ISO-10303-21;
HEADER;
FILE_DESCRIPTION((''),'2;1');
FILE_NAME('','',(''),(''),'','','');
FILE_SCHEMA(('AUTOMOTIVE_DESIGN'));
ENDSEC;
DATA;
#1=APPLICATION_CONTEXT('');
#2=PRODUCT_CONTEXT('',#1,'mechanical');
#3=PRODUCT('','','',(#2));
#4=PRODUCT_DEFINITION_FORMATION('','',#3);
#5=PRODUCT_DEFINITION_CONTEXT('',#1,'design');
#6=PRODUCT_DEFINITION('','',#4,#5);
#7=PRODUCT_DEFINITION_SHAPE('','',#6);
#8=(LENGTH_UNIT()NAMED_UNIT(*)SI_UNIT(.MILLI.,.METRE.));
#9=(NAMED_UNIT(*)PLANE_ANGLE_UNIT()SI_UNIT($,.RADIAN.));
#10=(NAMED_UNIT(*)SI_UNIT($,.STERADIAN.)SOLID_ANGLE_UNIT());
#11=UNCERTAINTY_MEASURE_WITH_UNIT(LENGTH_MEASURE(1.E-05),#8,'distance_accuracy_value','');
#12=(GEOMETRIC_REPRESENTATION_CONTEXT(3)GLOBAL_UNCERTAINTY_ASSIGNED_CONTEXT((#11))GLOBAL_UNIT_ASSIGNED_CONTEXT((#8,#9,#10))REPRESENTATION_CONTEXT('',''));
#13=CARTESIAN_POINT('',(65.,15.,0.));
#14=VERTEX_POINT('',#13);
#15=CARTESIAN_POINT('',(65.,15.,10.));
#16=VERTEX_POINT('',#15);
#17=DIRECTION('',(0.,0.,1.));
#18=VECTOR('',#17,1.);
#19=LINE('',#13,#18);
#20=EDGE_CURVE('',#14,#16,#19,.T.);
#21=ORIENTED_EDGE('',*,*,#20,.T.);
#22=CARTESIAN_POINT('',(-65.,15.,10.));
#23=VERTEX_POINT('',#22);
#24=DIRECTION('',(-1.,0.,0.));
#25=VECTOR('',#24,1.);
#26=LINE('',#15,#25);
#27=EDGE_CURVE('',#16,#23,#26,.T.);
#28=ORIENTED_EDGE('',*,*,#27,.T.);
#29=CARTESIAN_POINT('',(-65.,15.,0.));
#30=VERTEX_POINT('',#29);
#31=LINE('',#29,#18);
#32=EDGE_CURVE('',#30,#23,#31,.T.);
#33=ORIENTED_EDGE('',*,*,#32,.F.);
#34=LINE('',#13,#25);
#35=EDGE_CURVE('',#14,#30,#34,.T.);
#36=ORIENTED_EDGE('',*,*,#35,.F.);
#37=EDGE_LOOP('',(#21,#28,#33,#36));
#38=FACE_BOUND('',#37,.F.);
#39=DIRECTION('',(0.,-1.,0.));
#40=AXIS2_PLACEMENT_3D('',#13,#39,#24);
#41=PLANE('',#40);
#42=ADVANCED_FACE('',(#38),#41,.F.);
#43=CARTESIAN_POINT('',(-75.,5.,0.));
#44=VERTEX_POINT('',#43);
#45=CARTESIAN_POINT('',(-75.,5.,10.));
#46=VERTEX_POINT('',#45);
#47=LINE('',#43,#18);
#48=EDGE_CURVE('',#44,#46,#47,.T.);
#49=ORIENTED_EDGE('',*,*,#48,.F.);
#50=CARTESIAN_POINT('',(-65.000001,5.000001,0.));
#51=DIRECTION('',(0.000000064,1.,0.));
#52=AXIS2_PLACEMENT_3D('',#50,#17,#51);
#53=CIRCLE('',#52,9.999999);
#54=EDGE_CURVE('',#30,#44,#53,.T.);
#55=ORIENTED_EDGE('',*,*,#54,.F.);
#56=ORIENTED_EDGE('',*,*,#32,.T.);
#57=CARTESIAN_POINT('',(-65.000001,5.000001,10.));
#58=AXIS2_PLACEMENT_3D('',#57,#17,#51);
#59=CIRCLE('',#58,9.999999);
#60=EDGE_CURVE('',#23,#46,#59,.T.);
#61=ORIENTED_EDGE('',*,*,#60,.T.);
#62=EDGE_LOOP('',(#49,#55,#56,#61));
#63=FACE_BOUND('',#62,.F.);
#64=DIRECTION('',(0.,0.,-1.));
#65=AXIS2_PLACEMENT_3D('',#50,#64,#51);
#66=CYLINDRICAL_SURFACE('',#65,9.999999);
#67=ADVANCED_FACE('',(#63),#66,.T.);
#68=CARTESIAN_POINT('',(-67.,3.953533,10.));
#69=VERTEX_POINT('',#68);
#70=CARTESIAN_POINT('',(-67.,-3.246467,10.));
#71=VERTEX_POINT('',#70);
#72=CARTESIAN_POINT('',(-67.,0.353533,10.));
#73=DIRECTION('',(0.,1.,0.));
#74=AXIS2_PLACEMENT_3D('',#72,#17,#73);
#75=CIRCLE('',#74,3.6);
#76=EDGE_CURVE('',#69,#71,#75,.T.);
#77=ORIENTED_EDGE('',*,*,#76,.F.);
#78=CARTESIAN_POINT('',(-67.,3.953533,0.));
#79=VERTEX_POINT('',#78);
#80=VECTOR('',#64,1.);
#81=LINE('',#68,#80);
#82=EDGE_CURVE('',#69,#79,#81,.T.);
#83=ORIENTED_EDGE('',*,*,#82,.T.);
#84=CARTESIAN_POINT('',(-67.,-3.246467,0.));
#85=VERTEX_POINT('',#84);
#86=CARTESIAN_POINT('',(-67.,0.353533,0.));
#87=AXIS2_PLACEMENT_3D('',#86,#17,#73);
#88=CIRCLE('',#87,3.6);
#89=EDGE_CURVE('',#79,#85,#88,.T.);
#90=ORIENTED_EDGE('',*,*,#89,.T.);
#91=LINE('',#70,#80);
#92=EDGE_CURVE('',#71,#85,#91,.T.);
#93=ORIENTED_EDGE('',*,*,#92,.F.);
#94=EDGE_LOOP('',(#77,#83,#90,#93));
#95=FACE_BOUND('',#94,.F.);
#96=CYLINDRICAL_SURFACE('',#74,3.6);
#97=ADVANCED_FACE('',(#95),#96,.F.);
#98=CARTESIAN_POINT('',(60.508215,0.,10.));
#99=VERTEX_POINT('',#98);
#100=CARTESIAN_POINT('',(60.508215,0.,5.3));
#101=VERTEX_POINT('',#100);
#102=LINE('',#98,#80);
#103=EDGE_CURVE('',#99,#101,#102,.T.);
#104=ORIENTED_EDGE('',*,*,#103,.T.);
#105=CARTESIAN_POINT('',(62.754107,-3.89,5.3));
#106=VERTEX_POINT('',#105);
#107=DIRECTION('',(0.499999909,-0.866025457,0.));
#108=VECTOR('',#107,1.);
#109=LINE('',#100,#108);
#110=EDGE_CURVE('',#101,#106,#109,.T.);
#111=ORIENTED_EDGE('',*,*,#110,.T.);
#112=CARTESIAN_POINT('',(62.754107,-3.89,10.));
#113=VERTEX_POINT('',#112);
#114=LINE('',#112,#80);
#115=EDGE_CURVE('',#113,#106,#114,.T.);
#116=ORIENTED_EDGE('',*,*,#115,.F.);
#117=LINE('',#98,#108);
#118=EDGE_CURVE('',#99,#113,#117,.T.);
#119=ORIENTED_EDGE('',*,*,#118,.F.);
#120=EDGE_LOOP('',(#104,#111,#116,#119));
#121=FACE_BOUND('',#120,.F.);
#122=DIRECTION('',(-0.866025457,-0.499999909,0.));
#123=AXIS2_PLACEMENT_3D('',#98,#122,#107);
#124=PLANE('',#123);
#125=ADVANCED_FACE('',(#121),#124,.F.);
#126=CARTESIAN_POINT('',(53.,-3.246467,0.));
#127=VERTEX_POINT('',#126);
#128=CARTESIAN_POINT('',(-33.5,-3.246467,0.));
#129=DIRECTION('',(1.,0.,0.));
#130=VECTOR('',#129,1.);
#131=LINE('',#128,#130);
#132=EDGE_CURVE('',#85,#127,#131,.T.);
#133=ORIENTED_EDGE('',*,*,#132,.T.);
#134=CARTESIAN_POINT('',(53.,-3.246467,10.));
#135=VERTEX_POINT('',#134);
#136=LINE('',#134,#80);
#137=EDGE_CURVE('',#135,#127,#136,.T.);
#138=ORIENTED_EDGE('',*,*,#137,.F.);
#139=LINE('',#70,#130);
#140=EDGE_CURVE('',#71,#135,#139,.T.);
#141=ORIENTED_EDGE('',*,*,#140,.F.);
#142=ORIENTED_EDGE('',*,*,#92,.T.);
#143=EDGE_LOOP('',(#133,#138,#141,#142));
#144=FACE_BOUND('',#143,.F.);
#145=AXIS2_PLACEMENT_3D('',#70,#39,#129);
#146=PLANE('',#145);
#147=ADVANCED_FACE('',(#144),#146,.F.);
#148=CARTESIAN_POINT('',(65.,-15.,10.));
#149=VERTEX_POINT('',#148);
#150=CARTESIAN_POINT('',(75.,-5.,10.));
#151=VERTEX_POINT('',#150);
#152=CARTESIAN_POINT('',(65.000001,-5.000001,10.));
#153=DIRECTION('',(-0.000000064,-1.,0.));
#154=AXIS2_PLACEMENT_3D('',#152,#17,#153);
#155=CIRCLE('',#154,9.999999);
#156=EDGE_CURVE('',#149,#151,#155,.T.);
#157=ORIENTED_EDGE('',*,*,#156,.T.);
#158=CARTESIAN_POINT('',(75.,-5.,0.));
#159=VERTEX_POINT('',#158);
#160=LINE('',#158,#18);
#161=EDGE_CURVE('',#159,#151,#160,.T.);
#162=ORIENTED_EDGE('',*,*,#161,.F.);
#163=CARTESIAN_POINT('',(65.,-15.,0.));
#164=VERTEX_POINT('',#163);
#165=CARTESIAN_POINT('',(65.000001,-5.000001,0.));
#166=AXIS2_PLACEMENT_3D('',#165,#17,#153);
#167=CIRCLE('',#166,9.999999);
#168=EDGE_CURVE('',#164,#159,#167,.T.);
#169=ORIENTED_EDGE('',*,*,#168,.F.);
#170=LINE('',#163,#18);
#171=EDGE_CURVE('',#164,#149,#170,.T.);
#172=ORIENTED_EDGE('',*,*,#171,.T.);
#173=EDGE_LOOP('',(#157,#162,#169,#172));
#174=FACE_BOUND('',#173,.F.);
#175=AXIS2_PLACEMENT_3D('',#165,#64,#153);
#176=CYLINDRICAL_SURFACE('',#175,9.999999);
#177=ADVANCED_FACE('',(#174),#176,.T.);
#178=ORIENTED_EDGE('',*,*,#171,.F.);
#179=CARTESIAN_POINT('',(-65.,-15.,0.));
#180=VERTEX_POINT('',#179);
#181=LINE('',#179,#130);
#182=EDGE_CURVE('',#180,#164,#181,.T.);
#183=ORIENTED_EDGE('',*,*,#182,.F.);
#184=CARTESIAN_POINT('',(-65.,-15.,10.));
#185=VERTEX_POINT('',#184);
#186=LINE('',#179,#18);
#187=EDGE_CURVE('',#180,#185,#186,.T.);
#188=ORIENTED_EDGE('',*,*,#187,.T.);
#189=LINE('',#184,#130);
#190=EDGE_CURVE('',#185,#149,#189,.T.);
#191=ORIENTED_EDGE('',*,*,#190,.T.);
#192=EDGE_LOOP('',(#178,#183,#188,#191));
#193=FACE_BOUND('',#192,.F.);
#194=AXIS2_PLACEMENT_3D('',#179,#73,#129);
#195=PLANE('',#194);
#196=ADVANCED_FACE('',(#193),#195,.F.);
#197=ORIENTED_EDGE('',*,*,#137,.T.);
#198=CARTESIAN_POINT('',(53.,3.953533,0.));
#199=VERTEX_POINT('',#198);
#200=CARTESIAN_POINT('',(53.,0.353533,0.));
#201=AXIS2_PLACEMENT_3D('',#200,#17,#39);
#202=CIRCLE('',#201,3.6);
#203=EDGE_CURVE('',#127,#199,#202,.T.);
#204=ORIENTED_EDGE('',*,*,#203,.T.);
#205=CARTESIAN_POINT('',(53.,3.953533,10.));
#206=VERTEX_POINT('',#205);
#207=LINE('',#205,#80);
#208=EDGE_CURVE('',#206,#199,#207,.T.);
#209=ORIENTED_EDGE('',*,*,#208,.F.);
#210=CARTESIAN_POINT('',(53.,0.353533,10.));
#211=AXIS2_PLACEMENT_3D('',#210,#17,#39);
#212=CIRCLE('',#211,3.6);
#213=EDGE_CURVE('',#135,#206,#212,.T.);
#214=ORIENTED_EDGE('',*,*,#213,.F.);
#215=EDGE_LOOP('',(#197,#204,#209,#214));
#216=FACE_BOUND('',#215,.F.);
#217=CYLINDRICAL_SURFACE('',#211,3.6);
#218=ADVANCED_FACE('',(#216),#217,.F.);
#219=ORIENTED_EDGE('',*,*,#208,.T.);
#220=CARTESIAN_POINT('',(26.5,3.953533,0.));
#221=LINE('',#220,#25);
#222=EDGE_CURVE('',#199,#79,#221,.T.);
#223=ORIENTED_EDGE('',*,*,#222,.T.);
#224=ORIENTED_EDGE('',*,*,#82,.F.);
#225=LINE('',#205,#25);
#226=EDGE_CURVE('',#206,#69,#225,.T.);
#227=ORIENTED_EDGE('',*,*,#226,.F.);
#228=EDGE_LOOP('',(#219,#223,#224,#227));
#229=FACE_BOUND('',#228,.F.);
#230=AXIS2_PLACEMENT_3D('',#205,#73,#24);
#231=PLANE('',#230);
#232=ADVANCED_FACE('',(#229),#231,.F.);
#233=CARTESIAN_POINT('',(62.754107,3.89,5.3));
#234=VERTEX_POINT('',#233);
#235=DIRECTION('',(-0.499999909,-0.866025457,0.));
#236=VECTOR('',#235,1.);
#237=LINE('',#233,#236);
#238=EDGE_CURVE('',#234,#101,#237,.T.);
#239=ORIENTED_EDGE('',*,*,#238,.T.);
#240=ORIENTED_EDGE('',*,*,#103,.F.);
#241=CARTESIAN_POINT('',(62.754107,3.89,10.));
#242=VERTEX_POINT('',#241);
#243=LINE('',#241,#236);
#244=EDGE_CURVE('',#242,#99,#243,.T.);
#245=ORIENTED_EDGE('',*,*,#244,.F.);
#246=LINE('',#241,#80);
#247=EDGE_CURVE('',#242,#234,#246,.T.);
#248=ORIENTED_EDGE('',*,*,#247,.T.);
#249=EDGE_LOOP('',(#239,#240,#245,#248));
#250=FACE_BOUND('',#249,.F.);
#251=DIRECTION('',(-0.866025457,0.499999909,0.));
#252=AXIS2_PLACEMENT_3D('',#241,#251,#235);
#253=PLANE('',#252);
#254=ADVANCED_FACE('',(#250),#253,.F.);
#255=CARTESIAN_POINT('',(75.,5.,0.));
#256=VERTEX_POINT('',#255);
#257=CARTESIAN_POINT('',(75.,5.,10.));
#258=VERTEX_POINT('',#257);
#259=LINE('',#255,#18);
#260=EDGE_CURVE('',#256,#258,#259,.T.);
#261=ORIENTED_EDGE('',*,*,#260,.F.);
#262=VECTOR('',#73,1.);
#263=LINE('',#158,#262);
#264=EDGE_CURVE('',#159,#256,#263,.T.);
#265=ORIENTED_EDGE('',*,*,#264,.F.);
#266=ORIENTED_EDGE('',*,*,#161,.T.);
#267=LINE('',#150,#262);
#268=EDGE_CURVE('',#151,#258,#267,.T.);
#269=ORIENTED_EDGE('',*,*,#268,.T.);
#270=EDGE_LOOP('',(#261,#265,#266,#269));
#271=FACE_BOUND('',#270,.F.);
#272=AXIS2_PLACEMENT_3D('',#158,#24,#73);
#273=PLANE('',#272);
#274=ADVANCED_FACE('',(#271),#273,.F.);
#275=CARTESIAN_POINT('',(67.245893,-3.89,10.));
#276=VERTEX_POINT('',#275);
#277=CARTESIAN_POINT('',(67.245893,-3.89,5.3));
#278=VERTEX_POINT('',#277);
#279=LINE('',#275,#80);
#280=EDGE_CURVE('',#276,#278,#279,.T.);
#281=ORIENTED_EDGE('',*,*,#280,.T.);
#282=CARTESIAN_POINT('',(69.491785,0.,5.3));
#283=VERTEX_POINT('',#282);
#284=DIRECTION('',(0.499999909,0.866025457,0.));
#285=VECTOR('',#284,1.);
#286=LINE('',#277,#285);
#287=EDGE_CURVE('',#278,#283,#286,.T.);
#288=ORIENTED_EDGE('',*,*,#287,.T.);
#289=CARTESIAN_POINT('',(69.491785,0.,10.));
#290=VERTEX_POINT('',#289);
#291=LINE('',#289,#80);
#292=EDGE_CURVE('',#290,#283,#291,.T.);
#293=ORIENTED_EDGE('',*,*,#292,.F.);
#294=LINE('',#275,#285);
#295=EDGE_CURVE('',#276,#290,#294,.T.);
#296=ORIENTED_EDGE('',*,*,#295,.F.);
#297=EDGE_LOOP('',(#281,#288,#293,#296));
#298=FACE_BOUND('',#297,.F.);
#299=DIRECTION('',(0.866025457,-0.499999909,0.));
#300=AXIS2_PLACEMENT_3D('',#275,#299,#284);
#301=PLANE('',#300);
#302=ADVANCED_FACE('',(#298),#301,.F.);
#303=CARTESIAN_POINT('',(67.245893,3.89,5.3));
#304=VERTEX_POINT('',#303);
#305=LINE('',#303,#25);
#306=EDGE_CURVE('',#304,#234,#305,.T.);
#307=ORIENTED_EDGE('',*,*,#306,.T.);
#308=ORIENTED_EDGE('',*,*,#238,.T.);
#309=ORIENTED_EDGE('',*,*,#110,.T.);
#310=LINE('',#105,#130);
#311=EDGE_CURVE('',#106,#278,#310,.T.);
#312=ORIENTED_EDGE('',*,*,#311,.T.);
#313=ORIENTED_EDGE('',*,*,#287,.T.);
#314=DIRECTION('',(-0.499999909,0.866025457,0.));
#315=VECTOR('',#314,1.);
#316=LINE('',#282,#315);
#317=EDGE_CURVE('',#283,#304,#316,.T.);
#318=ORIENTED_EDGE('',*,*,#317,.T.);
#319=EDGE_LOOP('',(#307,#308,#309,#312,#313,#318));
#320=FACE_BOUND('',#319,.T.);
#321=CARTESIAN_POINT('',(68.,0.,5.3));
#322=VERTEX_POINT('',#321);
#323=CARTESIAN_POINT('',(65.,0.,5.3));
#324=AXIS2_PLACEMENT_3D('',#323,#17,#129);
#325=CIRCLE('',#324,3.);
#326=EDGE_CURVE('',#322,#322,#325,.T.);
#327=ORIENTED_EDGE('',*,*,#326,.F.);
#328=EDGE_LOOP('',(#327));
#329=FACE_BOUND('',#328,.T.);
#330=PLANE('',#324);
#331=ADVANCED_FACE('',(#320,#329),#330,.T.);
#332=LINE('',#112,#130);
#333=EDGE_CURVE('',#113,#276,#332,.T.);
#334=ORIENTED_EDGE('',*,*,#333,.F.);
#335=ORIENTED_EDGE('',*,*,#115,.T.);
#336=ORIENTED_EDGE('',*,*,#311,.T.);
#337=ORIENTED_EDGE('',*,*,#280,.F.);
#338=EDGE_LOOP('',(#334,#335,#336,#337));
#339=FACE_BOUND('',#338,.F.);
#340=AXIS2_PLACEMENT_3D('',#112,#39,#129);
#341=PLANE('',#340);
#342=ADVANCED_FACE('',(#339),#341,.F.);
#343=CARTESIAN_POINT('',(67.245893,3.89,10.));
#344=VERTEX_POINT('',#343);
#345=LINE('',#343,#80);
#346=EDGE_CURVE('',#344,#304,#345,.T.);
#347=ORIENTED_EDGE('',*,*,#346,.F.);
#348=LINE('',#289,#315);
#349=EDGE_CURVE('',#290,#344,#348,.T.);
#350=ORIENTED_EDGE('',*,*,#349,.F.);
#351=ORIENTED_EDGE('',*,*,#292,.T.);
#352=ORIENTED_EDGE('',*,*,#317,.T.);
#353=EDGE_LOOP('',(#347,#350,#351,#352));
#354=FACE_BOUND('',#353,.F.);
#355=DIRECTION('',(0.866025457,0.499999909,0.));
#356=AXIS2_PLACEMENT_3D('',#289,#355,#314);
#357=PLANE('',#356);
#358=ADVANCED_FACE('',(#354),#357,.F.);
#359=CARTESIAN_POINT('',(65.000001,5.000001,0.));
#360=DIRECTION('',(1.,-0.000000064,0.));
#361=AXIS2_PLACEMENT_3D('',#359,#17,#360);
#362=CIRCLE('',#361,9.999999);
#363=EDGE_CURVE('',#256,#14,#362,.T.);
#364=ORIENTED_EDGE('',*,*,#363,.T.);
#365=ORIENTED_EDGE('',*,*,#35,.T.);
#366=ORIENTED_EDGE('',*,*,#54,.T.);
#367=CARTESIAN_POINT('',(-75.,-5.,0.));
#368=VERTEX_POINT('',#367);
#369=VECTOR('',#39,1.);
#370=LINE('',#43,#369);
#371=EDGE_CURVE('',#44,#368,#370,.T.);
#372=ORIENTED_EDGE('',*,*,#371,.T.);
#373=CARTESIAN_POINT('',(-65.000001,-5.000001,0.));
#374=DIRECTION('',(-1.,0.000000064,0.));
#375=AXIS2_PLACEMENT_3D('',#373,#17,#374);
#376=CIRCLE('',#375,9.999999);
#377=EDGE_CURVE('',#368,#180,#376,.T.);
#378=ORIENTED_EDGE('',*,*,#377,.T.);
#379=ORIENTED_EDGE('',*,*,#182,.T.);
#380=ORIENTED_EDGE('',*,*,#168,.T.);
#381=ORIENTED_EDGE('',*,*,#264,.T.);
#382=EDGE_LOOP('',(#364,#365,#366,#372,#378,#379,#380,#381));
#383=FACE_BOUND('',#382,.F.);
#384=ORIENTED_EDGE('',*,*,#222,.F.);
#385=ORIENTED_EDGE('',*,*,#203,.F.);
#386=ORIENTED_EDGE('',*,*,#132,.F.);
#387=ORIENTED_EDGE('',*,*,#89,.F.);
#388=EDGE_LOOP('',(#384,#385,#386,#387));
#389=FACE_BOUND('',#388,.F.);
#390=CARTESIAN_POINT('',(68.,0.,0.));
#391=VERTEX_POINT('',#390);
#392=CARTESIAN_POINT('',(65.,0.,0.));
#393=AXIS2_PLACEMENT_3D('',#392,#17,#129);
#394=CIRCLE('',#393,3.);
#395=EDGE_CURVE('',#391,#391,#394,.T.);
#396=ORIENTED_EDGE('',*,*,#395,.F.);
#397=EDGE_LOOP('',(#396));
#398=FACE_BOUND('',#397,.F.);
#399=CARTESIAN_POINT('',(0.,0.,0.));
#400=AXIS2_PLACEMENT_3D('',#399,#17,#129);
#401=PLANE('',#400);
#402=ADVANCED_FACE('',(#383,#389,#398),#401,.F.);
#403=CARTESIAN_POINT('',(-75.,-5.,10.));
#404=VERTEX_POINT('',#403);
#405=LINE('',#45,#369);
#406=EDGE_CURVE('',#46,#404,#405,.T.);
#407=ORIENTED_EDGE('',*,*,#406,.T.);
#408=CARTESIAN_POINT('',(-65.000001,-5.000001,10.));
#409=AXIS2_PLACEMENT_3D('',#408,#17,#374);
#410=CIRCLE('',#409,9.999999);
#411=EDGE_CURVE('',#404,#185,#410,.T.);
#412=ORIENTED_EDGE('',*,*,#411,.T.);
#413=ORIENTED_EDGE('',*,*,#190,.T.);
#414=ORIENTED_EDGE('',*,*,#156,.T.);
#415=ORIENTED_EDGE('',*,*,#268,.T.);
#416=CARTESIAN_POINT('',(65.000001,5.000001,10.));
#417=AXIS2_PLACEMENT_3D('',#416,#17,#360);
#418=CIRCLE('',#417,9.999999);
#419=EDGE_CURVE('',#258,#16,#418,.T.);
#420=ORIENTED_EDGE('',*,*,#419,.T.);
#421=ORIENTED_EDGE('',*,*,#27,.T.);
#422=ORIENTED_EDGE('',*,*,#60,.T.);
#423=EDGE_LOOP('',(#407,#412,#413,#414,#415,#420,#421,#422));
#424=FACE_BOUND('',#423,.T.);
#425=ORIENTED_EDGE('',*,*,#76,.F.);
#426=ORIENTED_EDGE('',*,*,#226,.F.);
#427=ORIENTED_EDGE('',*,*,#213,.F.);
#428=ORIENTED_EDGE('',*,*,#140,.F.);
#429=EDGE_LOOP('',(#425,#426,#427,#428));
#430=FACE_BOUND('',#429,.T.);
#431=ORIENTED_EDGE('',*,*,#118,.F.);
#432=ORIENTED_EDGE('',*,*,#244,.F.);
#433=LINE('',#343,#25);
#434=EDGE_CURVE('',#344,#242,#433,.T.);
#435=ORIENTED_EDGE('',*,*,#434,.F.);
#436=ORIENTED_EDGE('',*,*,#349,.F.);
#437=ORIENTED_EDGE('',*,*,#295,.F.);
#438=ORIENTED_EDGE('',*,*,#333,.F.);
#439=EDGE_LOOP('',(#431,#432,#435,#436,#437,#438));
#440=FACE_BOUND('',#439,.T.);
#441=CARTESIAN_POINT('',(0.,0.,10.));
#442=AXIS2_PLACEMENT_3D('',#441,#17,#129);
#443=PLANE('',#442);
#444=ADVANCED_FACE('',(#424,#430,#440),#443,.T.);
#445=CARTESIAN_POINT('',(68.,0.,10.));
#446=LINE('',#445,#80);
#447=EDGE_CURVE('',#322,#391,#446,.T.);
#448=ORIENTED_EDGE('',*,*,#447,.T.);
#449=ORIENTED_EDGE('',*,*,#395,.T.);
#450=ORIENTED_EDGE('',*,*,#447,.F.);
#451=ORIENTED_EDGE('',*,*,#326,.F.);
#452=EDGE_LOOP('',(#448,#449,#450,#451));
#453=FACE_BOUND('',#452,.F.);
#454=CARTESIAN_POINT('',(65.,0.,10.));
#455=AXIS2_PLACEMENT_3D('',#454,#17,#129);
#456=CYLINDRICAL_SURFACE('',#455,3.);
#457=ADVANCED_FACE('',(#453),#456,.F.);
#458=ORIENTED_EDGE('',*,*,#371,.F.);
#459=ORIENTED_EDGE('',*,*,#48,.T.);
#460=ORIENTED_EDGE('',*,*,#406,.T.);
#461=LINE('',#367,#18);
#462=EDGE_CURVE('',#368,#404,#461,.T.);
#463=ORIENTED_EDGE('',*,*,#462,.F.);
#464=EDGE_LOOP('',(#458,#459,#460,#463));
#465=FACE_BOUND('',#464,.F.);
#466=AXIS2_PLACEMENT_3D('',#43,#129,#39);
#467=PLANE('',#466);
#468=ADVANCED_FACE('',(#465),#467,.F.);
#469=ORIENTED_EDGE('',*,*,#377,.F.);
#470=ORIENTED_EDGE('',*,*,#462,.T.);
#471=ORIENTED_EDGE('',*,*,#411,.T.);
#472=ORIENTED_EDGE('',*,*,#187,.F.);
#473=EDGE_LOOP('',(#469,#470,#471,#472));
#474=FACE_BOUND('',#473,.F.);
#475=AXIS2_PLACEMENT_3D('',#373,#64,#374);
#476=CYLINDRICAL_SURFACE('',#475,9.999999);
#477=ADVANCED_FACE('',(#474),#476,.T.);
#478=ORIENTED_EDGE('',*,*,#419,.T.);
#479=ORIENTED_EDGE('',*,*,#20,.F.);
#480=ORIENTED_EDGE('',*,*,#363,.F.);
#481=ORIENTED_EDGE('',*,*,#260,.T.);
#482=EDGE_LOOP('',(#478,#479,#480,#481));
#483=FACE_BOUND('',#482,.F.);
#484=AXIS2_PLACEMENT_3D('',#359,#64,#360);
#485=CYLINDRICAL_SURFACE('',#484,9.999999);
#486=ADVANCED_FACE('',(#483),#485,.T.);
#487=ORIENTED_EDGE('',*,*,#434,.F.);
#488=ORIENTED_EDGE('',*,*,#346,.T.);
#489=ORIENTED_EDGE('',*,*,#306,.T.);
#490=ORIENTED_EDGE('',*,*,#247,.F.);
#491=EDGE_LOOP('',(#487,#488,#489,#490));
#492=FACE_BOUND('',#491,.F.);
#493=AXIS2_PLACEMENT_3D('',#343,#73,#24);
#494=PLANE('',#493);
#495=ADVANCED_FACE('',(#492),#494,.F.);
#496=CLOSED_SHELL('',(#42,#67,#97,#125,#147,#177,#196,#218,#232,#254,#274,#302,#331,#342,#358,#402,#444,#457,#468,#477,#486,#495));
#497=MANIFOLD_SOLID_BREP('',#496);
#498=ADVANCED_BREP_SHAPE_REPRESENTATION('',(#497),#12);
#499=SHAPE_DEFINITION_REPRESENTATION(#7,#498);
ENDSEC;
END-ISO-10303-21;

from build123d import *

# Parameters (mm, degrees)
F1_DEPTH = 10
F2_R     = 3
F3_DEPTH = 10.001
F5_DEPTH = 4.7


with BuildPart() as f1:
    # F0 (on Top) → F1 (new body)
    with BuildSketch(Plane.XY):
        with BuildLine():
            ThreePointArc((-75, -5), (-72.071068, -12.071068), (-65, -15))
            Line((-65, -15), (65, -15))
            ThreePointArc((65, -15), (72.071068, -12.071068), (75, -5))
            Line((75, -5), (75, 5))
            ThreePointArc((75, 5), (72.071068, 12.071068), (65, 15))
            Line((65, 15), (-65, 15))
            ThreePointArc((-65, 15), (-72.071068, 12.071068), (-75, 5))
            Line((-75, 5), (-75, -5))
        make_face()
    extrude(amount=F1_DEPTH)

    # F2 (on face) → F3 (cut, through all)
    with BuildSketch(Plane.XY.offset(10)):
        with Locations((65, 0)):
            Circle(F2_R)
        with BuildLine():
            Line((53, 3.953533), (-67, 3.953533))
            ThreePointArc((-67, 3.953533), (-70.6, 0.353533), (-67, -3.246467))
            Line((-67, -3.246467), (53, -3.246467))
            ThreePointArc((53, -3.246467), (56.6, 0.353533), (53, 3.953533))
        make_face()
    extrude(amount=-F3_DEPTH, mode=Mode.SUBTRACT)

    # F4 (on face) → F5 (cut)
    with BuildSketch(Plane.XY.offset(10)):
        Polygon((62.754107, -3.89), (67.245893, -3.89), (69.491785, 0), (67.245893, 3.89), (62.754107, 3.89), (60.508215, 0), align=None)
    extrude(amount=-F5_DEPTH, mode=Mode.SUBTRACT)


solid = f1.part
